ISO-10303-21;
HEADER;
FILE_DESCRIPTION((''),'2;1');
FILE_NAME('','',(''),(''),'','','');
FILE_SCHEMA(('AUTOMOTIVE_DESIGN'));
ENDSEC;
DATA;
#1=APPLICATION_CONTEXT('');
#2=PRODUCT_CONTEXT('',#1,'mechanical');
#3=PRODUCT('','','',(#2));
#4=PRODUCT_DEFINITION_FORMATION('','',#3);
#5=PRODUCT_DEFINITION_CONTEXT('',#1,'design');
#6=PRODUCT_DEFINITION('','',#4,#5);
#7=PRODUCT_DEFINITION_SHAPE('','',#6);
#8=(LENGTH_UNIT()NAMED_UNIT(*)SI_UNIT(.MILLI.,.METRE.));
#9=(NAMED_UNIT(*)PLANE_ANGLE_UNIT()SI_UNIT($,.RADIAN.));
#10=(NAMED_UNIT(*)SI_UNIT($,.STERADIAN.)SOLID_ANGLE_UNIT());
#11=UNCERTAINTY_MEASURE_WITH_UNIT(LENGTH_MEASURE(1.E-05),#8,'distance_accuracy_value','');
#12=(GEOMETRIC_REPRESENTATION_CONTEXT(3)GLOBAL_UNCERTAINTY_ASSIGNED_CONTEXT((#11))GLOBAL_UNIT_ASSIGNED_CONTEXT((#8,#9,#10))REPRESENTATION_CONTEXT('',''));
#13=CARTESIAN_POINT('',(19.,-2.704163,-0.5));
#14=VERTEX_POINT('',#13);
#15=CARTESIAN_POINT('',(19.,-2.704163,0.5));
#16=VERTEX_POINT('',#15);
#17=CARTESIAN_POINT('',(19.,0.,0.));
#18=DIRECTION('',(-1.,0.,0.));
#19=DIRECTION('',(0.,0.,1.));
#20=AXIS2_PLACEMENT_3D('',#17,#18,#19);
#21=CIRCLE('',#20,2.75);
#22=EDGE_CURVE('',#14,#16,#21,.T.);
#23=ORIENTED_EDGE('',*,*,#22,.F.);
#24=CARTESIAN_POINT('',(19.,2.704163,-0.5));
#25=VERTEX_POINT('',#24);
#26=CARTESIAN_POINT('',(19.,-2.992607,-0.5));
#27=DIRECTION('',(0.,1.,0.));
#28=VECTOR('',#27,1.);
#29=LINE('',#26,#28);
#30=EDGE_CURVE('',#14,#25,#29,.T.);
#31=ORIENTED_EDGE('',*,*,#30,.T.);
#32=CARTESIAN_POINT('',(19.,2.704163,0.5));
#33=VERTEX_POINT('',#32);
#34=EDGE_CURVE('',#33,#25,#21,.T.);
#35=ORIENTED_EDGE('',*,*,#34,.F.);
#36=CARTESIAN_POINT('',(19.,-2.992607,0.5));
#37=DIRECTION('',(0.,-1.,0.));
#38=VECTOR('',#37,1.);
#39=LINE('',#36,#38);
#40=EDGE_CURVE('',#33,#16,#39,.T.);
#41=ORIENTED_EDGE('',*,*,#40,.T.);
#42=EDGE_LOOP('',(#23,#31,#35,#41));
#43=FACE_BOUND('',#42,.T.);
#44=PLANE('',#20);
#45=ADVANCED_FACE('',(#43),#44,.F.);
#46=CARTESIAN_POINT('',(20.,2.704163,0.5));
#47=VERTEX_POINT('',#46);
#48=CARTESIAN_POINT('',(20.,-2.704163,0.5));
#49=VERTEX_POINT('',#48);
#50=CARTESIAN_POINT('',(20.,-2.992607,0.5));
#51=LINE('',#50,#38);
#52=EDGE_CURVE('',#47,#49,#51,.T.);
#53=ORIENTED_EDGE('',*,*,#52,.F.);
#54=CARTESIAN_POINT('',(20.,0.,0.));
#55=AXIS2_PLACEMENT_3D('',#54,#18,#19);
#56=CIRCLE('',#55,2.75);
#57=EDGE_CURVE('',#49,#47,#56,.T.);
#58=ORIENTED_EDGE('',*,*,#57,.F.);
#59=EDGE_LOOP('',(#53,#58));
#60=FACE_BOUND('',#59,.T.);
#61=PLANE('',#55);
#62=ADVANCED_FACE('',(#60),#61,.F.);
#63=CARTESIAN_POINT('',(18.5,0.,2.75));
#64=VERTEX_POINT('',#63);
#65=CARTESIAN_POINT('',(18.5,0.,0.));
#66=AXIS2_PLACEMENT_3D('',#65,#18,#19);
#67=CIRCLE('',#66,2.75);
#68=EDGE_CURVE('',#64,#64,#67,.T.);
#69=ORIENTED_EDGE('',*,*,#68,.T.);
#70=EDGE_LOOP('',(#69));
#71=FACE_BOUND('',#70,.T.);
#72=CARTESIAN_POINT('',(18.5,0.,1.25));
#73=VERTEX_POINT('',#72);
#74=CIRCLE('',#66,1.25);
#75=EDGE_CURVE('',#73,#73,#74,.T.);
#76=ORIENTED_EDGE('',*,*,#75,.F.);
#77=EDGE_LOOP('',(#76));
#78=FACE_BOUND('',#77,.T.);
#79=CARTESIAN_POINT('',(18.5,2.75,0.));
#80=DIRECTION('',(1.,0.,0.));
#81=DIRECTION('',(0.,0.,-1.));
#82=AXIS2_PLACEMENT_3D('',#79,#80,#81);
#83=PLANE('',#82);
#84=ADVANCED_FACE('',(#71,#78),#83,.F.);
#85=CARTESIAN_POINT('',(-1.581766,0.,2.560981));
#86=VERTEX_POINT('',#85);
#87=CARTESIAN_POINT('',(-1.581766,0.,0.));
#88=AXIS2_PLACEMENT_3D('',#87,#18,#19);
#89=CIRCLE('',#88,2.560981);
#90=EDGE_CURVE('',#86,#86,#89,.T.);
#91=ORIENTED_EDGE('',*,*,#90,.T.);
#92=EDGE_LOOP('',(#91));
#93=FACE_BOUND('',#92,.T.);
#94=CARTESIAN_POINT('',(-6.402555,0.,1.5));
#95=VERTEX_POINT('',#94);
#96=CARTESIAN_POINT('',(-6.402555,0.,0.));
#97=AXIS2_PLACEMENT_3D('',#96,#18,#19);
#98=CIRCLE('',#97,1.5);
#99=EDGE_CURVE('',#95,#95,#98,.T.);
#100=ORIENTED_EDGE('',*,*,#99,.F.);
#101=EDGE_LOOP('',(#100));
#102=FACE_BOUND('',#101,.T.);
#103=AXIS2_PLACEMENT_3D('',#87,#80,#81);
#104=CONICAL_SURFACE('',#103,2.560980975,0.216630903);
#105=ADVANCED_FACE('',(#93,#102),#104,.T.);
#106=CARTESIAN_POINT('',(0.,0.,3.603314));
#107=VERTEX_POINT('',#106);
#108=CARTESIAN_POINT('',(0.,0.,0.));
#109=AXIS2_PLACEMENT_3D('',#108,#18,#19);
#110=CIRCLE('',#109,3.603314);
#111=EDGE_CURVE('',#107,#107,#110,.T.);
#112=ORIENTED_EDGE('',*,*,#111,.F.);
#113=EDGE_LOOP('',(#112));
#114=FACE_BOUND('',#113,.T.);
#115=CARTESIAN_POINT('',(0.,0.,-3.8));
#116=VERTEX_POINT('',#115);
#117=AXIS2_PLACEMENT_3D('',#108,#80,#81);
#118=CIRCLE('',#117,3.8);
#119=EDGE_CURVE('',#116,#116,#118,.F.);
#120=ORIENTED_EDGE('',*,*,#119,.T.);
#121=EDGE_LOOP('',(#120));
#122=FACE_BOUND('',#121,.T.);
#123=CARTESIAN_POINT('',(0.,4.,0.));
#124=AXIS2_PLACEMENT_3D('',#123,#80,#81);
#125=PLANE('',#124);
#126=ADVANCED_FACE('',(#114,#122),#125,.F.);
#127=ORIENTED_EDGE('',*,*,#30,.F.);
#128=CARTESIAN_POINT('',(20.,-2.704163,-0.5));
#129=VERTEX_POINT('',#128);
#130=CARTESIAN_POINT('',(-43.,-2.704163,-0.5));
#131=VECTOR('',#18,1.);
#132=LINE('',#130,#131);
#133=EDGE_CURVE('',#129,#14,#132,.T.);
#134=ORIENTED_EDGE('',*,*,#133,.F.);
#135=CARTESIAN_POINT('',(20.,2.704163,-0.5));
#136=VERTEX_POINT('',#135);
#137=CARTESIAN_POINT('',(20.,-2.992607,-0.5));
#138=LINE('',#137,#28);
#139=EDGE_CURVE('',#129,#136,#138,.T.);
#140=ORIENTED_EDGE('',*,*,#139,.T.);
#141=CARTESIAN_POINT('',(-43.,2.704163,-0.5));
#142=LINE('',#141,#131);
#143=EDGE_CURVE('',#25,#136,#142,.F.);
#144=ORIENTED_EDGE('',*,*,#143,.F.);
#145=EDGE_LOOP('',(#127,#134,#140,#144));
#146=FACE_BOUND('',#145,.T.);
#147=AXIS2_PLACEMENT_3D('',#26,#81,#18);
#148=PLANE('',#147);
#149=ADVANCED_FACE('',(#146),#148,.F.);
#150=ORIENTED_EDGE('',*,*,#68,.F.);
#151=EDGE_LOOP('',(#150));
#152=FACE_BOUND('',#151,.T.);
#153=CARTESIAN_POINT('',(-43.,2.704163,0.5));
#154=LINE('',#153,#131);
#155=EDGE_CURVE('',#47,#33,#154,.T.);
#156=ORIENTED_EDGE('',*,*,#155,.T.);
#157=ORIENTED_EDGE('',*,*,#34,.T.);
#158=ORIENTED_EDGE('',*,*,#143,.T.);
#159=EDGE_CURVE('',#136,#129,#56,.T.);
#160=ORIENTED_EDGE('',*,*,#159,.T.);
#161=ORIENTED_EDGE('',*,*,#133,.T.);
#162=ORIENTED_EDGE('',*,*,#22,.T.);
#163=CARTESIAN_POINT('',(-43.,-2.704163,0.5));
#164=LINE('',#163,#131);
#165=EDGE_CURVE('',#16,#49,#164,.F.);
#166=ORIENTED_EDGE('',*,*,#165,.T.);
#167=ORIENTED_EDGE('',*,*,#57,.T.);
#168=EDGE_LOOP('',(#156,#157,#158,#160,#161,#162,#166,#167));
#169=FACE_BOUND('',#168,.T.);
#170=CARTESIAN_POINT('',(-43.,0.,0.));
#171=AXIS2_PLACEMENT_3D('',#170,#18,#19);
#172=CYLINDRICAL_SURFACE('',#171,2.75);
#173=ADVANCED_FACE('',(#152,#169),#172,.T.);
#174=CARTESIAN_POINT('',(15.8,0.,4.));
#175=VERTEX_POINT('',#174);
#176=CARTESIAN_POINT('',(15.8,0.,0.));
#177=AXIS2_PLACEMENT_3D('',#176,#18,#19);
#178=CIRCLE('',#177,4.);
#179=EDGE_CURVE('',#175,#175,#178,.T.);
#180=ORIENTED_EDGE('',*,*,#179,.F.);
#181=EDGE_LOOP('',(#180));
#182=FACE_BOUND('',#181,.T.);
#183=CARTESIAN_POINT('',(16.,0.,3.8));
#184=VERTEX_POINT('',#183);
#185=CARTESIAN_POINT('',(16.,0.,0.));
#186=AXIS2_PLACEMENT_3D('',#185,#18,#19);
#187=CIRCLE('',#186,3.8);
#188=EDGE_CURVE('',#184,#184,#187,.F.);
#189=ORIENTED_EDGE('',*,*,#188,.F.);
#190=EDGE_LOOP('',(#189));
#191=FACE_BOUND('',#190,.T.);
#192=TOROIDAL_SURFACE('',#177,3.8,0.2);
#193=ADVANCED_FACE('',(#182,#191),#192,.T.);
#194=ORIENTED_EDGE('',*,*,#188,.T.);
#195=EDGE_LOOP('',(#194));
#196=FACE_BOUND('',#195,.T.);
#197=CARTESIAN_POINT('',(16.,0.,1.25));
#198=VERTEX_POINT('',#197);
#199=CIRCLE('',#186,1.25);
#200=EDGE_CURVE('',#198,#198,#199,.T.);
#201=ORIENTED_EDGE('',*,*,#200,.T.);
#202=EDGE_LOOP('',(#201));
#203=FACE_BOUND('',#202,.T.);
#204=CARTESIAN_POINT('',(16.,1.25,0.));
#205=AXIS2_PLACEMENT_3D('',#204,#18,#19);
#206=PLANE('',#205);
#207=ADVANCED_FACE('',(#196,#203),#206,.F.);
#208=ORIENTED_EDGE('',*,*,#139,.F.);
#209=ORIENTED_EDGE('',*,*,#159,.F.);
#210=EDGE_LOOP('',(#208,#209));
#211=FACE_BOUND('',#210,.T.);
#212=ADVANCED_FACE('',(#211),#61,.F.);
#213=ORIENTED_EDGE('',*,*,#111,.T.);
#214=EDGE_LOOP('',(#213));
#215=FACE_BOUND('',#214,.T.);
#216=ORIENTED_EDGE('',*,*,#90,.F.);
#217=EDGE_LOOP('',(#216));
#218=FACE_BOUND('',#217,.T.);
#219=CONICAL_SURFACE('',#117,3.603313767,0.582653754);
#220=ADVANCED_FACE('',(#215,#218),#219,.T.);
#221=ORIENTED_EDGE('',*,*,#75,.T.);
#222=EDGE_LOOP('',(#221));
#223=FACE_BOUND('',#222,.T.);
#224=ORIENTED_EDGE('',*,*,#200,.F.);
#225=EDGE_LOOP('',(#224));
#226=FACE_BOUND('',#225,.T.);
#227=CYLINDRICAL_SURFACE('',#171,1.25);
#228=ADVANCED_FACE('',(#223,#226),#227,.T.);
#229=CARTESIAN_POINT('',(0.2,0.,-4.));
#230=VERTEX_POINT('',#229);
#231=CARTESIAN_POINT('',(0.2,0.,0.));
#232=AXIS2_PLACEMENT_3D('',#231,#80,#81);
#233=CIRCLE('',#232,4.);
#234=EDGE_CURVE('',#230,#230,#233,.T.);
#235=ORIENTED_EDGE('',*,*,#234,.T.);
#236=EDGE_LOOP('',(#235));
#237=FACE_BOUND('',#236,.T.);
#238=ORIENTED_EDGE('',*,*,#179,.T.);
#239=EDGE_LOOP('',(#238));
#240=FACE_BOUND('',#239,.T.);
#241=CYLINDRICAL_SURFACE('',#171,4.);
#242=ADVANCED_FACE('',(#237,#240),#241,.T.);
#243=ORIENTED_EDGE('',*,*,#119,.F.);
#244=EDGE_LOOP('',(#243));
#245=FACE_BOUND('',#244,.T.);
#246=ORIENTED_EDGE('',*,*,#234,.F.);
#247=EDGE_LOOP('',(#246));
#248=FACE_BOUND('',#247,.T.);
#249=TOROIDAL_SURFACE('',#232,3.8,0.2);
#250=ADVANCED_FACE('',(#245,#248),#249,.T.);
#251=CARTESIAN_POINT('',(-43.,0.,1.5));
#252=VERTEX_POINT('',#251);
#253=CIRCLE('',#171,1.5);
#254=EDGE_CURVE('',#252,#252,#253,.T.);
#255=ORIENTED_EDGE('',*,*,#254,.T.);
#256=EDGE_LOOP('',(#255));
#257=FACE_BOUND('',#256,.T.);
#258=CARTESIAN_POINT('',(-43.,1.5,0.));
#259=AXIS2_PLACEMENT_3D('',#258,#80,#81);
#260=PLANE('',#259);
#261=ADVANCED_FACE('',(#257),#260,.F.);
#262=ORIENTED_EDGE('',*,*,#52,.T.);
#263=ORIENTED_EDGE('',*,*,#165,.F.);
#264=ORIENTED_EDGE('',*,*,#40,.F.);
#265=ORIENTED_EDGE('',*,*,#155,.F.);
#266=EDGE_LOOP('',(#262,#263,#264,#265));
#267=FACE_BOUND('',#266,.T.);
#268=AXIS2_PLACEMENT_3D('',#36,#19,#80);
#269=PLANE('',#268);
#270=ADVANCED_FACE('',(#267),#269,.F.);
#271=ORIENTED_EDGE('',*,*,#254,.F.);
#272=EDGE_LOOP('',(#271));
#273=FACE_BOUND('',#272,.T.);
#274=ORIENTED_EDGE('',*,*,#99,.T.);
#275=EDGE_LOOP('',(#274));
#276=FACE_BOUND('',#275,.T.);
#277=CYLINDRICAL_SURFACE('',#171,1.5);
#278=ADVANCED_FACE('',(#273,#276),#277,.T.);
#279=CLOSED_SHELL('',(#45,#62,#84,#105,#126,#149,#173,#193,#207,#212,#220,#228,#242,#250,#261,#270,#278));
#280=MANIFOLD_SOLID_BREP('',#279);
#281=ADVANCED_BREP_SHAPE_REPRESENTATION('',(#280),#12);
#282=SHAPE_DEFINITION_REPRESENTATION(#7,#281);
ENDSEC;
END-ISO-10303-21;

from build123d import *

# Parameters (mm, degrees)
FILLET1_R          = 0.2
SKETCH2_W          = 1
SKETCH2_H          = 6.101946446
CUT_EXTRUDE1_DEPTH = 1


with BuildPart() as part:
    # Sketch1 → Revolve1 (revolve)
    with BuildSketch(Plane.XY, mode=Mode.PRIVATE) as revolve1_sk:
        Polygon((-6.402554748, 1.5), (-43, 1.5), (-43, 0), (16, 0), (20, 0), (20, 2.75), (18.5, 2.75), (18.5, 1.25), (16, 1.25), (16, 4), (0, 4), (0, 3.603313767), (-1.581765583, 2.560980975), align=None)
    revolve(revolve1_sk.sketch.rotate(Axis((-43, 0, 0), (1, 0, 0)), 90), axis=Axis((-43, 0, 0), (1, 0, 0)))

    # Fillet1
    fillet1_edges = [part.edges().sort_by_distance(p)[0] for p in [
        (0, 0, -4),
        (16, 0, -4),
    ]]
    fillet(fillet1_edges, radius=FILLET1_R)

    # Sketch2 → Cut-Extrude1 (cut)
    with BuildSketch(Plane(origin=(20, 0, 0), x_dir=(0, 0, -1), z_dir=(1, 0, 0))):
        with Locations((0, 0.058366444)):
            Rectangle(SKETCH2_W, SKETCH2_H)
    extrude(amount=-CUT_EXTRUDE1_DEPTH, mode=Mode.SUBTRACT)


solid = part.part
